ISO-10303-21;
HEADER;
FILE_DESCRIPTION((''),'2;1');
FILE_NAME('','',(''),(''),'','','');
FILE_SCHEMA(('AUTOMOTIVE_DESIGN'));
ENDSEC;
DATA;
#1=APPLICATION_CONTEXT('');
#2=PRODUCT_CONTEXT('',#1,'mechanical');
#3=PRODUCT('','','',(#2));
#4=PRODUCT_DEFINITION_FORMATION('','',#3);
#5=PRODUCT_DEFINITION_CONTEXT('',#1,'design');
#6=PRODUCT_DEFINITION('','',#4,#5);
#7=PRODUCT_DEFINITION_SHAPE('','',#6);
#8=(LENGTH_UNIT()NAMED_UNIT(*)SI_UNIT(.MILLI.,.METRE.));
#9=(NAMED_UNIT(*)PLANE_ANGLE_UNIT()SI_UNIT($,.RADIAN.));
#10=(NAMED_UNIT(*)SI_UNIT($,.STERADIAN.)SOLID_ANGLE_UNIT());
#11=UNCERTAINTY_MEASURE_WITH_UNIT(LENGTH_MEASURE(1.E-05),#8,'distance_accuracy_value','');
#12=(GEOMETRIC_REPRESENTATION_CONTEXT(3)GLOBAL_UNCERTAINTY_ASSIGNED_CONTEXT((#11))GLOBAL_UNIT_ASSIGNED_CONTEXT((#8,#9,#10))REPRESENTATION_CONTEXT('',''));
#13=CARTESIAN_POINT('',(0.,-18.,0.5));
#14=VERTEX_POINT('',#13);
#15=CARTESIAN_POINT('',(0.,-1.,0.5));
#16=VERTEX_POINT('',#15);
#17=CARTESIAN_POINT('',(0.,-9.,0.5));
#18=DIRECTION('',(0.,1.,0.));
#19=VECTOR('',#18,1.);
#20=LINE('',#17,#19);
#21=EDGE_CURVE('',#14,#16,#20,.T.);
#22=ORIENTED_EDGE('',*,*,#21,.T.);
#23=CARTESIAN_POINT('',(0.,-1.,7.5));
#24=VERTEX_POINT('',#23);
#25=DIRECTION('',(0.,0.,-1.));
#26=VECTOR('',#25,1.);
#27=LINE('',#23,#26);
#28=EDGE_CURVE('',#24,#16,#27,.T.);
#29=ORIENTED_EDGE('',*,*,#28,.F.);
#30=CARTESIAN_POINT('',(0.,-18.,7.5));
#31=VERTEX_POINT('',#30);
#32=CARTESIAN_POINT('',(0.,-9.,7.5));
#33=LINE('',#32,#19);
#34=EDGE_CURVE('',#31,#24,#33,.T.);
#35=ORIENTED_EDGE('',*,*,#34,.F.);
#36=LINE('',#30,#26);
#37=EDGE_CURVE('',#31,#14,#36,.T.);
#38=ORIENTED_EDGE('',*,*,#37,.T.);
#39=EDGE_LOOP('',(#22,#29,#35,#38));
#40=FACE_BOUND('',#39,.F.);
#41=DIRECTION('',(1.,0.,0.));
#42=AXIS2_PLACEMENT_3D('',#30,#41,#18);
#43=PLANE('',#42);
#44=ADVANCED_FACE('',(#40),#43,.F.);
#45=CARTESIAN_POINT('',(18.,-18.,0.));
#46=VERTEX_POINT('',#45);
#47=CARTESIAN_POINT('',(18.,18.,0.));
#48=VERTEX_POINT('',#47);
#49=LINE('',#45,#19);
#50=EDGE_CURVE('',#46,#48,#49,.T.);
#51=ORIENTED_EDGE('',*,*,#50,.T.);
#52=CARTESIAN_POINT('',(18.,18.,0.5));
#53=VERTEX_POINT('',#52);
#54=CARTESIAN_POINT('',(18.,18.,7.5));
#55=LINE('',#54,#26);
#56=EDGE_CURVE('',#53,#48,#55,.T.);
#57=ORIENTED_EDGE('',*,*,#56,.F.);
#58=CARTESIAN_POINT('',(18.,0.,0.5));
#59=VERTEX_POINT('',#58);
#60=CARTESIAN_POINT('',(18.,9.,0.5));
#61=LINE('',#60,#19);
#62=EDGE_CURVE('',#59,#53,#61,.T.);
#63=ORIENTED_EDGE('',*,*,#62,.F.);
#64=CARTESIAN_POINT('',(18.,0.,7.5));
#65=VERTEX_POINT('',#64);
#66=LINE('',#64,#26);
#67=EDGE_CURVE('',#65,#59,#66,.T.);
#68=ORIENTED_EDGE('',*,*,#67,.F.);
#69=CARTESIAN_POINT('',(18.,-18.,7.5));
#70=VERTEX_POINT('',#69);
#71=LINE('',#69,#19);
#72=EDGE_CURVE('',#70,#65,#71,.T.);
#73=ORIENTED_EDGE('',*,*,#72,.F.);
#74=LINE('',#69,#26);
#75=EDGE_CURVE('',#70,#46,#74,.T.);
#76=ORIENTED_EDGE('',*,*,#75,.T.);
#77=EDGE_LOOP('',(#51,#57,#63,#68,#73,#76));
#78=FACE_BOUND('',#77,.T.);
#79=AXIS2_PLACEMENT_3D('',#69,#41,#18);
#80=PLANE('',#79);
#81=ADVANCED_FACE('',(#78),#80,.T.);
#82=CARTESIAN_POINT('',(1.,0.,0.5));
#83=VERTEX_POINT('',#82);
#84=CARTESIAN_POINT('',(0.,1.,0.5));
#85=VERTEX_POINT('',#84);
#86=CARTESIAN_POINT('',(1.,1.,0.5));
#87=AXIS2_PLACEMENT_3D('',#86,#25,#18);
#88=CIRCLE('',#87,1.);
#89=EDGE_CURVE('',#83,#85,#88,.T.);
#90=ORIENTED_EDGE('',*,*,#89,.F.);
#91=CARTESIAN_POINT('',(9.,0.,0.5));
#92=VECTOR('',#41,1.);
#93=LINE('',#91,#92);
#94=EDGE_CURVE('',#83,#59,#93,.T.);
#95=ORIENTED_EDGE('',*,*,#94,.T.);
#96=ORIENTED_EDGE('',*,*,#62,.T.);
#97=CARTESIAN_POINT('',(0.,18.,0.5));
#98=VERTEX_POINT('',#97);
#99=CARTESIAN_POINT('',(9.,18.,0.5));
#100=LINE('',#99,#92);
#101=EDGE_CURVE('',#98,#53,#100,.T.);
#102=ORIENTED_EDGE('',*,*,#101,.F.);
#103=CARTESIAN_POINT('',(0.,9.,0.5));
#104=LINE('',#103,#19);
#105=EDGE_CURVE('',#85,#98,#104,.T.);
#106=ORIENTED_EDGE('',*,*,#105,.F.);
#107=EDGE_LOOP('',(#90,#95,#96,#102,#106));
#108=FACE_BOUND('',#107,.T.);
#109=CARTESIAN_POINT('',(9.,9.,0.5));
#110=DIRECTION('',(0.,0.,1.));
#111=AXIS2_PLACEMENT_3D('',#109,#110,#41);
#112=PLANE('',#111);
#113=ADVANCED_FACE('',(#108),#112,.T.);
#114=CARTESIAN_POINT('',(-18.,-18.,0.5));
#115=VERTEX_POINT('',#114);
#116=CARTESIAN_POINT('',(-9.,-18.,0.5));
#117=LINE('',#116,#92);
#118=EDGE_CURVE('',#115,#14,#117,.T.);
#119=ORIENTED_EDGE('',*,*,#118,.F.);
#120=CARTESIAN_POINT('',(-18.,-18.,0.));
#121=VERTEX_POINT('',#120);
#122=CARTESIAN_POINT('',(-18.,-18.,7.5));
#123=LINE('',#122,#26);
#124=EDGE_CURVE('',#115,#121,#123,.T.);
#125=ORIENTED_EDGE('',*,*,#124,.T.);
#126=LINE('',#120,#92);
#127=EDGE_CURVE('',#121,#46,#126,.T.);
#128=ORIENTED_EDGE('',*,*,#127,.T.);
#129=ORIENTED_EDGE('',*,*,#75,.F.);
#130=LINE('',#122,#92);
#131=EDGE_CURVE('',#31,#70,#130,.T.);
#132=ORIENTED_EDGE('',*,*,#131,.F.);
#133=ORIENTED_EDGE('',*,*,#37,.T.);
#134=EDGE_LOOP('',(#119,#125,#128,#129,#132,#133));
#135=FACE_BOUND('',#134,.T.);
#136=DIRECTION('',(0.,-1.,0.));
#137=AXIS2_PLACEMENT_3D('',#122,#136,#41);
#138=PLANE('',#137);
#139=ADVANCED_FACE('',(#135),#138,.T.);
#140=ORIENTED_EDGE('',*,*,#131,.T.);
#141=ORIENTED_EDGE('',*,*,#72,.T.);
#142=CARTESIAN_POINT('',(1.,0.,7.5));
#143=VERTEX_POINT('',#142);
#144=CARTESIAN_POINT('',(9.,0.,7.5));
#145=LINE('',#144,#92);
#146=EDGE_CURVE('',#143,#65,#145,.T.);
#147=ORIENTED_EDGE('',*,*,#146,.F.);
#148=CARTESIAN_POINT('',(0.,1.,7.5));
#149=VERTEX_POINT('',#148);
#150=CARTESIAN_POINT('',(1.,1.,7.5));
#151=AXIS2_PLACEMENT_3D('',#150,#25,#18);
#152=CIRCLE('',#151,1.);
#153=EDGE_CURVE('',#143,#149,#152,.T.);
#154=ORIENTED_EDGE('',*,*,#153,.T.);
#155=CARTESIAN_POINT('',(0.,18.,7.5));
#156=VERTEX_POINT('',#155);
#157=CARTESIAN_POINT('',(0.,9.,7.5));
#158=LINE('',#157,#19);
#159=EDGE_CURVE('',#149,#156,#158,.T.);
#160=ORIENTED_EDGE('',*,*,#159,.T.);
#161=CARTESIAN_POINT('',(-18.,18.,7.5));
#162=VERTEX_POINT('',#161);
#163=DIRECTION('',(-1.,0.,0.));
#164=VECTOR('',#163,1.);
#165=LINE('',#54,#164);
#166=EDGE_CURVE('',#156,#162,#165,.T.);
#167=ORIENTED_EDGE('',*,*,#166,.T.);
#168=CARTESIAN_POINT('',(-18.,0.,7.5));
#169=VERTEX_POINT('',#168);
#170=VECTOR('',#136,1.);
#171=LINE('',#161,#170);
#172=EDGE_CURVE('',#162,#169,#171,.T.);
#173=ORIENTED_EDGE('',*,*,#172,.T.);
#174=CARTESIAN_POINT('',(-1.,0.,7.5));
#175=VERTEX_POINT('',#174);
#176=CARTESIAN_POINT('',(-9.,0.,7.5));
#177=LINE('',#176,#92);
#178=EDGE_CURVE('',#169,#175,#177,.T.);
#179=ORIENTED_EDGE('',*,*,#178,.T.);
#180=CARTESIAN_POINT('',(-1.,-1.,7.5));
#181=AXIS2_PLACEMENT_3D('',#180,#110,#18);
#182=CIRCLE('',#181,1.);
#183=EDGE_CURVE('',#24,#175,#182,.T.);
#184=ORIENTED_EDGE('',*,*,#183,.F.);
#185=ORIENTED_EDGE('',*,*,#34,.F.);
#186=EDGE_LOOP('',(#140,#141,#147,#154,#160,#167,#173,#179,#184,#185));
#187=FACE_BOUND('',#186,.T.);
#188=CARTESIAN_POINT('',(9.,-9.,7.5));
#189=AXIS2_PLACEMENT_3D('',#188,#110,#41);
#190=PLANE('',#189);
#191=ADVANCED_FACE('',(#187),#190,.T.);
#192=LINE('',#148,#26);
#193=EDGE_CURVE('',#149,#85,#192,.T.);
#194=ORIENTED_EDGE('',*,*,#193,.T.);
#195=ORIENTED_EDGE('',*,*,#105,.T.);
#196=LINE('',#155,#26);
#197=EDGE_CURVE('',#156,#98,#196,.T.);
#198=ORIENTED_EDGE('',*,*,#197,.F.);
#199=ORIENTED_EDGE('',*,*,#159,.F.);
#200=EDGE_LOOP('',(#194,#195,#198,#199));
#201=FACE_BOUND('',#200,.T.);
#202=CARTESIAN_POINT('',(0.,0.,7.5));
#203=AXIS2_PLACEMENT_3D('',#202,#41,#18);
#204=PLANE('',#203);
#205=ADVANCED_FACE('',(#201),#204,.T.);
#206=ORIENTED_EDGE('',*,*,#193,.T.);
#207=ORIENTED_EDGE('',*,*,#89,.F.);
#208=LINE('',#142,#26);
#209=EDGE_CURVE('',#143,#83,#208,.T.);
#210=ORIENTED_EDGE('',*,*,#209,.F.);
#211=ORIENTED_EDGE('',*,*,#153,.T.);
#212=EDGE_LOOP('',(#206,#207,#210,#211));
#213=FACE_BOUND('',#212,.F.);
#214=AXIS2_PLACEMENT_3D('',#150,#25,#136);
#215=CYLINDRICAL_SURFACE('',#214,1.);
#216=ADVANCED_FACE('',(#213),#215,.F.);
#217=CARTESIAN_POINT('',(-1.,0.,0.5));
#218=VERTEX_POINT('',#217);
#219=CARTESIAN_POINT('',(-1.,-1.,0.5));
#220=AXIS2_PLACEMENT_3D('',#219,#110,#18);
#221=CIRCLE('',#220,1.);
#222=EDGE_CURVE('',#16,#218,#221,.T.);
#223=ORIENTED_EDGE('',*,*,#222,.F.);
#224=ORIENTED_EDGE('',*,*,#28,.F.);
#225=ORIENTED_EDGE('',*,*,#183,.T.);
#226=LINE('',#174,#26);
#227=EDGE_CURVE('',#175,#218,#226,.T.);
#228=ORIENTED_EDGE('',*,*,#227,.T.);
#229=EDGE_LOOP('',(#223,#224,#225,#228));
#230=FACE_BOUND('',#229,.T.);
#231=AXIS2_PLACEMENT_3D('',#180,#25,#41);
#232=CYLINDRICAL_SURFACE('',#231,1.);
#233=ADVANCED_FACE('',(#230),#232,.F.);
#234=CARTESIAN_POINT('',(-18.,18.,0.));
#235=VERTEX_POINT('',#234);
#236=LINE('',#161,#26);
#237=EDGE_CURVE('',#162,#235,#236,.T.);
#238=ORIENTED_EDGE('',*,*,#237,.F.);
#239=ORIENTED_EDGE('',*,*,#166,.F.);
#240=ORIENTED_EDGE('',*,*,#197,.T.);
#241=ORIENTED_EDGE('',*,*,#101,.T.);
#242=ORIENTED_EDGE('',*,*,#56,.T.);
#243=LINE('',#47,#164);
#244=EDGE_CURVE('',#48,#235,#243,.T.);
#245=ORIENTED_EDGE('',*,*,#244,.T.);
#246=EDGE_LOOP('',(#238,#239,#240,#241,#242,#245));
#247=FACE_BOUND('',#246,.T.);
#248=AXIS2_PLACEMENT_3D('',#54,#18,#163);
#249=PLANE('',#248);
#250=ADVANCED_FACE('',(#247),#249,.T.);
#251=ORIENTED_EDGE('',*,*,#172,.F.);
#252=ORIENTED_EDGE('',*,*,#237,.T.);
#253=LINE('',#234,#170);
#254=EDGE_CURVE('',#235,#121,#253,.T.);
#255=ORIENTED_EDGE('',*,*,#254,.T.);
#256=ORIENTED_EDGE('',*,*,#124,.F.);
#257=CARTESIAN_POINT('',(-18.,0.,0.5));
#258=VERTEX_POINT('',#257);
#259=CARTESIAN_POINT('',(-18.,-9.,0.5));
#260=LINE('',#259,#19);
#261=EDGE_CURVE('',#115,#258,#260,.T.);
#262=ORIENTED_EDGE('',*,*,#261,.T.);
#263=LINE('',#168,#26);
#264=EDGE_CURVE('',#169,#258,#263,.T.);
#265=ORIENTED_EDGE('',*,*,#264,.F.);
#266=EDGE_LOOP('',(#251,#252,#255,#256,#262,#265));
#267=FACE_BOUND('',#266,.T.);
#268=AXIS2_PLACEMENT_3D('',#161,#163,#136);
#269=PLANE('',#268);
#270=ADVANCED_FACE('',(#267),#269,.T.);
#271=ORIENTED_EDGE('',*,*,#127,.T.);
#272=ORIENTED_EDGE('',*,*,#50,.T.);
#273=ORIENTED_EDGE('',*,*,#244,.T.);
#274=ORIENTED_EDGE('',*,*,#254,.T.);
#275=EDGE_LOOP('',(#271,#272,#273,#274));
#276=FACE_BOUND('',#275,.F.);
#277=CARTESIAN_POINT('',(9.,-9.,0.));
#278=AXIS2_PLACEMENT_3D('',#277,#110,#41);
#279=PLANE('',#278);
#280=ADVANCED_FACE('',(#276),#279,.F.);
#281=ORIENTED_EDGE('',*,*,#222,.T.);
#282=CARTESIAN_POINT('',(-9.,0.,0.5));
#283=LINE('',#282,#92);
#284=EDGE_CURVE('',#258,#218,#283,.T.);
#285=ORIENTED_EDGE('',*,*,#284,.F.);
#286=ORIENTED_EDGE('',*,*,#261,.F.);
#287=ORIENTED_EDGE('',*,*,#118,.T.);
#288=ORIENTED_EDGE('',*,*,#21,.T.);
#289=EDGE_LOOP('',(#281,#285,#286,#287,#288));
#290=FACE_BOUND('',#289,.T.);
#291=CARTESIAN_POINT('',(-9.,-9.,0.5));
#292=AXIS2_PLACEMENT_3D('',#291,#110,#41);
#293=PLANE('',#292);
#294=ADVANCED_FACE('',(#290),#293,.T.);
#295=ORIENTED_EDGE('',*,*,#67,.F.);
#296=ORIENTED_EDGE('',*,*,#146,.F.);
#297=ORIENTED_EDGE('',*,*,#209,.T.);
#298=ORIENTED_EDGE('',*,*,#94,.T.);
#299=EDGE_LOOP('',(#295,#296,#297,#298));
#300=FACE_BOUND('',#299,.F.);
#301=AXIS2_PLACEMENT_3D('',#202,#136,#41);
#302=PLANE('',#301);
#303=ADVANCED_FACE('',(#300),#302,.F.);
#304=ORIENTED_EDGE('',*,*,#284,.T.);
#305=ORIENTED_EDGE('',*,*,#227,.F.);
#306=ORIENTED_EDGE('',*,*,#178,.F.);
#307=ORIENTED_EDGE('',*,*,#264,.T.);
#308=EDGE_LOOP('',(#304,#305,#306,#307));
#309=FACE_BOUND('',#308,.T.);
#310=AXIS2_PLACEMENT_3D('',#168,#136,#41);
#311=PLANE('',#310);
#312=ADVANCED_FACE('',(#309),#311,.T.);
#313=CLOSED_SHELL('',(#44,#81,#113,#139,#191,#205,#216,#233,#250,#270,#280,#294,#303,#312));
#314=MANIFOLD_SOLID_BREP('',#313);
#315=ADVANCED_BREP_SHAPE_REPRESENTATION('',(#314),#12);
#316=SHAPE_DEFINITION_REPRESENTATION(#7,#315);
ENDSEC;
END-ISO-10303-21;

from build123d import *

# Parameters (mm, degrees)
F1_W     = 18
F1_H     = 18
F2_DEPTH = 7.5
F3_DEPTH = 7
F4_R     = 1
F5_DEPTH = 7
F6_R     = 1


with BuildPart() as f2:
    # F1 (on offset) → F2 (new body)
    with BuildSketch(Plane.XY.offset(7.5)):
        with Locations((9, -9)):
            Rectangle(F1_W, F1_H)
        with Locations((-9, 9)):
            Rectangle(F1_W, F1_H)
        with Locations((9, 9)):
            Rectangle(F1_W, F1_H)
        with Locations((-9, -9)):
            Rectangle(F1_W, F1_H)
    extrude(amount=-F2_DEPTH)

    # F1 (on offset) → F3 (cut)
    with BuildSketch(Plane.XY.offset(7.5)):
        with Locations((9, 9)):
            Rectangle(F1_W, F1_H)
    extrude(amount=-F3_DEPTH, mode=Mode.SUBTRACT)

    # F4
    f4_edges = [f2.edges().sort_by_distance(p)[0] for p in [
        (0, 0, 4),
    ]]
    fillet(f4_edges, radius=F4_R)

    # F1 (on offset) → F5 (cut)
    with BuildSketch(Plane.XY.offset(7.5)):
        with Locations((-9, -9)):
            Rectangle(F1_W, F1_H)
    extrude(amount=-F5_DEPTH, mode=Mode.SUBTRACT)

    # F6
    f6_edges = [f2.edges().sort_by_distance(p)[0] for p in [
        (0, 0, 4),
    ]]
    fillet(f6_edges, radius=F6_R)


solid = f2.part
